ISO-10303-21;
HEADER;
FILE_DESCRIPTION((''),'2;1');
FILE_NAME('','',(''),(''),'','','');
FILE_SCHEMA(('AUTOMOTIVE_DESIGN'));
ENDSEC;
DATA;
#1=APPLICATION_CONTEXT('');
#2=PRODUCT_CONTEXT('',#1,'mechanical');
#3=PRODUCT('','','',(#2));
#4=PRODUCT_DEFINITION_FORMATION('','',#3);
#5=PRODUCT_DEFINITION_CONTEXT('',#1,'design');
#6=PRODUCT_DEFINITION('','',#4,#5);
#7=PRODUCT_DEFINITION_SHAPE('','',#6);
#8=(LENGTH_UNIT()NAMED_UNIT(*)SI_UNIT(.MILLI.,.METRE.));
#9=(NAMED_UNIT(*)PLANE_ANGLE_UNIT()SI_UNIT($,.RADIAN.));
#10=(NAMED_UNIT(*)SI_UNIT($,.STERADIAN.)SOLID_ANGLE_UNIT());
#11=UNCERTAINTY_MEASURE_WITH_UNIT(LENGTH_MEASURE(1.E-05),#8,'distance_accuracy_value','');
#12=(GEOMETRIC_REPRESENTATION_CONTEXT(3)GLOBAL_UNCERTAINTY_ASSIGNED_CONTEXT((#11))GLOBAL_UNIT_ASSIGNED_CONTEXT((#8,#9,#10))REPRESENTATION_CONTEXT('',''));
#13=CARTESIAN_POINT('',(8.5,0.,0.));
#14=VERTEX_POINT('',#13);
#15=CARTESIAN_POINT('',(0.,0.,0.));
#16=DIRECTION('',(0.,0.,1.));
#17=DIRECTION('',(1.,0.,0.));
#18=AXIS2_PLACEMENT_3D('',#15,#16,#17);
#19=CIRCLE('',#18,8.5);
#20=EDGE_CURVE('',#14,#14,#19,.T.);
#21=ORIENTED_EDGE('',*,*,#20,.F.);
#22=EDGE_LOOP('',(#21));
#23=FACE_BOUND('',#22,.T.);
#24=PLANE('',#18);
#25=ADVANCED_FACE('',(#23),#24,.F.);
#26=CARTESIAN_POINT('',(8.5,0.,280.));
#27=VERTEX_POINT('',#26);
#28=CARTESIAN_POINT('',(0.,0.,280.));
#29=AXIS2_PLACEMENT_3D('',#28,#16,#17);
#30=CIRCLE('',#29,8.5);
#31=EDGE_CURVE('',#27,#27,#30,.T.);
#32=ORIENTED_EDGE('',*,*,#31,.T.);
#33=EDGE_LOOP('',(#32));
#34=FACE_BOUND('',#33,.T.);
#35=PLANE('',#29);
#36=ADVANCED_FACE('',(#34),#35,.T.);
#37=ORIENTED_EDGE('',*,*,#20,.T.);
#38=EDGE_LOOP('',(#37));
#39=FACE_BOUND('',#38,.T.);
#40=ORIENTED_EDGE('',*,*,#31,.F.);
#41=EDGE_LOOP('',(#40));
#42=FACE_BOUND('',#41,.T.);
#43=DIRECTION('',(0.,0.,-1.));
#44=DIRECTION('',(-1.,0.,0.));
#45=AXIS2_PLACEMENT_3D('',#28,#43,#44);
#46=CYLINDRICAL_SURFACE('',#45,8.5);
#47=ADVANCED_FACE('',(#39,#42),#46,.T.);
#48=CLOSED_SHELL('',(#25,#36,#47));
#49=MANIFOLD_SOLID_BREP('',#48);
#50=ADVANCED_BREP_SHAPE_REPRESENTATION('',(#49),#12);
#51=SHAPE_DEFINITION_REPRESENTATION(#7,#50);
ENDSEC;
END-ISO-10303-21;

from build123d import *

# Parameters (mm, degrees)
ESQUISSE1_R        = 8.5
BOSS_EXTRU_1_DEPTH = 280


with BuildPart() as part:
    # Esquisse1 → Boss.-Extru.1 (new body)
    with BuildSketch(Plane.XY):
        Circle(ESQUISSE1_R)
    extrude(amount=BOSS_EXTRU_1_DEPTH)


solid = part.part
